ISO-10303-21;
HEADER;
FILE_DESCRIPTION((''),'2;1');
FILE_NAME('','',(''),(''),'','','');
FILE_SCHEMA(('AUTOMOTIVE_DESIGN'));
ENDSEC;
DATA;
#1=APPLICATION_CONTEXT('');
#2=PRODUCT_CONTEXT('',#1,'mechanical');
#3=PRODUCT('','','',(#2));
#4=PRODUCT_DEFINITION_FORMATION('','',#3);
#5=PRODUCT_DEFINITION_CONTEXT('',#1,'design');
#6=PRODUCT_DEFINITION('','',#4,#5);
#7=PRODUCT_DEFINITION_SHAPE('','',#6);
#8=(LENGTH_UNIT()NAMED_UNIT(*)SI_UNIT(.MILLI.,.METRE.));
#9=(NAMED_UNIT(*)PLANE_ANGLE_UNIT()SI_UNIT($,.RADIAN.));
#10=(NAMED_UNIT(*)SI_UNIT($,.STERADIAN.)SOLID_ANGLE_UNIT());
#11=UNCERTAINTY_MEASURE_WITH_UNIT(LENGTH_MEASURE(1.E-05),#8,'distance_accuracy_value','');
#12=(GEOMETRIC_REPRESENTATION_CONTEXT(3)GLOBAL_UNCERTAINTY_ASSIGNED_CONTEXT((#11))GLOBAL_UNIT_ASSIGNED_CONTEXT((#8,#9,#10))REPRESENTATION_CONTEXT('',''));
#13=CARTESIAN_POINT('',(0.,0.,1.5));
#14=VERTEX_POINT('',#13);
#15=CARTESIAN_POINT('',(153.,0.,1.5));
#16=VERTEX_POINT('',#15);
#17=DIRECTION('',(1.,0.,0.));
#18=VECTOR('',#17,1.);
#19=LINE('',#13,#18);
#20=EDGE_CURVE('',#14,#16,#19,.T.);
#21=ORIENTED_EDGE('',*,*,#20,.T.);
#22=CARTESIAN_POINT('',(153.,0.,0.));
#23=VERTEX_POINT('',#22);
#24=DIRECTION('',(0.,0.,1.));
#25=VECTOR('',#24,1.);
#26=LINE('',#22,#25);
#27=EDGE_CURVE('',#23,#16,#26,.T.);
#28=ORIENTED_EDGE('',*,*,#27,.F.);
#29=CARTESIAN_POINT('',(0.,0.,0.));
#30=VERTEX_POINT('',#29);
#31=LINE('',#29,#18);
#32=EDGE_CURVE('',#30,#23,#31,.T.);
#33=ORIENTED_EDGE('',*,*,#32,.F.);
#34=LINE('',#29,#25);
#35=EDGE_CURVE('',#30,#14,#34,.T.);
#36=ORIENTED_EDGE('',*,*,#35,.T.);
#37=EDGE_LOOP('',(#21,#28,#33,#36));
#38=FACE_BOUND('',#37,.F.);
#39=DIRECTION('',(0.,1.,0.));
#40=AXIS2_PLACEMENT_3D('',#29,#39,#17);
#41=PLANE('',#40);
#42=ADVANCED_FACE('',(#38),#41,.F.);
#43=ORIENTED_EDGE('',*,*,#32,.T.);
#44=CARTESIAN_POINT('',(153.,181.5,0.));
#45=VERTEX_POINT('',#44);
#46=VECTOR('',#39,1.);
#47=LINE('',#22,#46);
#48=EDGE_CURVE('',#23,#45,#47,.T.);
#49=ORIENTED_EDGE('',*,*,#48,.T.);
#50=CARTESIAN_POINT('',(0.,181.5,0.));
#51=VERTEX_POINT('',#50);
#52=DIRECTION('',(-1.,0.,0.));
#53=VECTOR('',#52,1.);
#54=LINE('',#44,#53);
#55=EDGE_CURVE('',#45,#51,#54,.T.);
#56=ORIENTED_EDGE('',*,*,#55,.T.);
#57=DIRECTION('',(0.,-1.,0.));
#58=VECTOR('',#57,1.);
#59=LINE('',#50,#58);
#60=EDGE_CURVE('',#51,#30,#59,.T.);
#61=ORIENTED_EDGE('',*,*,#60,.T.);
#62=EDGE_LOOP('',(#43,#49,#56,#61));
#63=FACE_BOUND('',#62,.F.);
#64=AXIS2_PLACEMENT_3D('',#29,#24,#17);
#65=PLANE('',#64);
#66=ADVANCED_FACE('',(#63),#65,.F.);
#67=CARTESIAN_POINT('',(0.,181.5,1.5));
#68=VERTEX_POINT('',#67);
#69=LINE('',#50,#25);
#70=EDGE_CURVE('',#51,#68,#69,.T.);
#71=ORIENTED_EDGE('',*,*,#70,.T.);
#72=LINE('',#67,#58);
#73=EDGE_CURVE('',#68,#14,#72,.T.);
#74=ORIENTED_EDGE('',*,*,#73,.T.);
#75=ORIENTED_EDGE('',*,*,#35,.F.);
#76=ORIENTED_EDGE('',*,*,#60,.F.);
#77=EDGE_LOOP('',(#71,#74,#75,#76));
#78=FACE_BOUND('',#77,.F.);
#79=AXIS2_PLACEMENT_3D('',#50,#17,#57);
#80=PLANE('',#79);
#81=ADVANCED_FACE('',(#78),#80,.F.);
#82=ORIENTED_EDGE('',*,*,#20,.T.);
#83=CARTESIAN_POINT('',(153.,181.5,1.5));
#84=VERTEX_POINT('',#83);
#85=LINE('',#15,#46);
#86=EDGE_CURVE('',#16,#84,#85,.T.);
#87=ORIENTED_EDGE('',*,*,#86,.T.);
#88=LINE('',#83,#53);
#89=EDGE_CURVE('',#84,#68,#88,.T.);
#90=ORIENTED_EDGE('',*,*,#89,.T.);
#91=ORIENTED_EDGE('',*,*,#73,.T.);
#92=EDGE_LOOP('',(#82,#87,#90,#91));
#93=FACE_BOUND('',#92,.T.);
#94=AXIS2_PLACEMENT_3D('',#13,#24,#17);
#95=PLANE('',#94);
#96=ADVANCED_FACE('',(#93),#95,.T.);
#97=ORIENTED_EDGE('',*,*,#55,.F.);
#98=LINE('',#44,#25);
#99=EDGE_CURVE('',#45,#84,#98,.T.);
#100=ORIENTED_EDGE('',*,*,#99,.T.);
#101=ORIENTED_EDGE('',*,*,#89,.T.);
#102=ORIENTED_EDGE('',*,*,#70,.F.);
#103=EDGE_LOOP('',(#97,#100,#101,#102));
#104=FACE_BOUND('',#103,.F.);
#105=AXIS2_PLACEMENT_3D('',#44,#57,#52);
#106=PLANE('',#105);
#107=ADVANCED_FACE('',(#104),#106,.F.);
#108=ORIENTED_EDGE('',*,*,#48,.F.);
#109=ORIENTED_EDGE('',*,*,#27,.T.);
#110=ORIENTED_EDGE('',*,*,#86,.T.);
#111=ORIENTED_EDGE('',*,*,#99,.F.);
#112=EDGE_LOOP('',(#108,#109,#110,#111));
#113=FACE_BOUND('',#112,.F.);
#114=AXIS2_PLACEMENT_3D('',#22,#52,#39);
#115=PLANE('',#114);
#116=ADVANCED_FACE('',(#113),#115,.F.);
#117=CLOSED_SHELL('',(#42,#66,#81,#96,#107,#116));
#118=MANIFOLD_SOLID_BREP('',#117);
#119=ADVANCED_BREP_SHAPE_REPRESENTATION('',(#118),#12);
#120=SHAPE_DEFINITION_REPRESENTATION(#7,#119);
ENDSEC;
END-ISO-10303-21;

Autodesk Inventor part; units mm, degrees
ref_plane "YZ Plane" through (0, 0, 0) normal (1, 0, 0) x (0, 1, 0)
ref_plane "XZ Plane" through (0, 0, 0) normal (0, 1, 0) x (-1, 0, 0)
ref_plane "XY Plane" through (0, 0, 0) normal (0, 0, 1) x (1, 0, 0)
sketch "Skizze1" plane through (0, 0, 0) normal (0, 0, 1) x (1, 0, 0)
  line L0 (0, 0) -> (153, 0)
  line L1 (153, 0) -> (153, 181.5)
  line L2 (153, 181.5) -> (0, 181.5)
  line L3 (0, 181.5) -> (0, 0)
  dimension "d0" = 153
  dimension "d1" = 181.5
extrude "Extrusion1" add sketch "Skizze1" along normal blind 1.5
properties part number "Koffer_klappe"
